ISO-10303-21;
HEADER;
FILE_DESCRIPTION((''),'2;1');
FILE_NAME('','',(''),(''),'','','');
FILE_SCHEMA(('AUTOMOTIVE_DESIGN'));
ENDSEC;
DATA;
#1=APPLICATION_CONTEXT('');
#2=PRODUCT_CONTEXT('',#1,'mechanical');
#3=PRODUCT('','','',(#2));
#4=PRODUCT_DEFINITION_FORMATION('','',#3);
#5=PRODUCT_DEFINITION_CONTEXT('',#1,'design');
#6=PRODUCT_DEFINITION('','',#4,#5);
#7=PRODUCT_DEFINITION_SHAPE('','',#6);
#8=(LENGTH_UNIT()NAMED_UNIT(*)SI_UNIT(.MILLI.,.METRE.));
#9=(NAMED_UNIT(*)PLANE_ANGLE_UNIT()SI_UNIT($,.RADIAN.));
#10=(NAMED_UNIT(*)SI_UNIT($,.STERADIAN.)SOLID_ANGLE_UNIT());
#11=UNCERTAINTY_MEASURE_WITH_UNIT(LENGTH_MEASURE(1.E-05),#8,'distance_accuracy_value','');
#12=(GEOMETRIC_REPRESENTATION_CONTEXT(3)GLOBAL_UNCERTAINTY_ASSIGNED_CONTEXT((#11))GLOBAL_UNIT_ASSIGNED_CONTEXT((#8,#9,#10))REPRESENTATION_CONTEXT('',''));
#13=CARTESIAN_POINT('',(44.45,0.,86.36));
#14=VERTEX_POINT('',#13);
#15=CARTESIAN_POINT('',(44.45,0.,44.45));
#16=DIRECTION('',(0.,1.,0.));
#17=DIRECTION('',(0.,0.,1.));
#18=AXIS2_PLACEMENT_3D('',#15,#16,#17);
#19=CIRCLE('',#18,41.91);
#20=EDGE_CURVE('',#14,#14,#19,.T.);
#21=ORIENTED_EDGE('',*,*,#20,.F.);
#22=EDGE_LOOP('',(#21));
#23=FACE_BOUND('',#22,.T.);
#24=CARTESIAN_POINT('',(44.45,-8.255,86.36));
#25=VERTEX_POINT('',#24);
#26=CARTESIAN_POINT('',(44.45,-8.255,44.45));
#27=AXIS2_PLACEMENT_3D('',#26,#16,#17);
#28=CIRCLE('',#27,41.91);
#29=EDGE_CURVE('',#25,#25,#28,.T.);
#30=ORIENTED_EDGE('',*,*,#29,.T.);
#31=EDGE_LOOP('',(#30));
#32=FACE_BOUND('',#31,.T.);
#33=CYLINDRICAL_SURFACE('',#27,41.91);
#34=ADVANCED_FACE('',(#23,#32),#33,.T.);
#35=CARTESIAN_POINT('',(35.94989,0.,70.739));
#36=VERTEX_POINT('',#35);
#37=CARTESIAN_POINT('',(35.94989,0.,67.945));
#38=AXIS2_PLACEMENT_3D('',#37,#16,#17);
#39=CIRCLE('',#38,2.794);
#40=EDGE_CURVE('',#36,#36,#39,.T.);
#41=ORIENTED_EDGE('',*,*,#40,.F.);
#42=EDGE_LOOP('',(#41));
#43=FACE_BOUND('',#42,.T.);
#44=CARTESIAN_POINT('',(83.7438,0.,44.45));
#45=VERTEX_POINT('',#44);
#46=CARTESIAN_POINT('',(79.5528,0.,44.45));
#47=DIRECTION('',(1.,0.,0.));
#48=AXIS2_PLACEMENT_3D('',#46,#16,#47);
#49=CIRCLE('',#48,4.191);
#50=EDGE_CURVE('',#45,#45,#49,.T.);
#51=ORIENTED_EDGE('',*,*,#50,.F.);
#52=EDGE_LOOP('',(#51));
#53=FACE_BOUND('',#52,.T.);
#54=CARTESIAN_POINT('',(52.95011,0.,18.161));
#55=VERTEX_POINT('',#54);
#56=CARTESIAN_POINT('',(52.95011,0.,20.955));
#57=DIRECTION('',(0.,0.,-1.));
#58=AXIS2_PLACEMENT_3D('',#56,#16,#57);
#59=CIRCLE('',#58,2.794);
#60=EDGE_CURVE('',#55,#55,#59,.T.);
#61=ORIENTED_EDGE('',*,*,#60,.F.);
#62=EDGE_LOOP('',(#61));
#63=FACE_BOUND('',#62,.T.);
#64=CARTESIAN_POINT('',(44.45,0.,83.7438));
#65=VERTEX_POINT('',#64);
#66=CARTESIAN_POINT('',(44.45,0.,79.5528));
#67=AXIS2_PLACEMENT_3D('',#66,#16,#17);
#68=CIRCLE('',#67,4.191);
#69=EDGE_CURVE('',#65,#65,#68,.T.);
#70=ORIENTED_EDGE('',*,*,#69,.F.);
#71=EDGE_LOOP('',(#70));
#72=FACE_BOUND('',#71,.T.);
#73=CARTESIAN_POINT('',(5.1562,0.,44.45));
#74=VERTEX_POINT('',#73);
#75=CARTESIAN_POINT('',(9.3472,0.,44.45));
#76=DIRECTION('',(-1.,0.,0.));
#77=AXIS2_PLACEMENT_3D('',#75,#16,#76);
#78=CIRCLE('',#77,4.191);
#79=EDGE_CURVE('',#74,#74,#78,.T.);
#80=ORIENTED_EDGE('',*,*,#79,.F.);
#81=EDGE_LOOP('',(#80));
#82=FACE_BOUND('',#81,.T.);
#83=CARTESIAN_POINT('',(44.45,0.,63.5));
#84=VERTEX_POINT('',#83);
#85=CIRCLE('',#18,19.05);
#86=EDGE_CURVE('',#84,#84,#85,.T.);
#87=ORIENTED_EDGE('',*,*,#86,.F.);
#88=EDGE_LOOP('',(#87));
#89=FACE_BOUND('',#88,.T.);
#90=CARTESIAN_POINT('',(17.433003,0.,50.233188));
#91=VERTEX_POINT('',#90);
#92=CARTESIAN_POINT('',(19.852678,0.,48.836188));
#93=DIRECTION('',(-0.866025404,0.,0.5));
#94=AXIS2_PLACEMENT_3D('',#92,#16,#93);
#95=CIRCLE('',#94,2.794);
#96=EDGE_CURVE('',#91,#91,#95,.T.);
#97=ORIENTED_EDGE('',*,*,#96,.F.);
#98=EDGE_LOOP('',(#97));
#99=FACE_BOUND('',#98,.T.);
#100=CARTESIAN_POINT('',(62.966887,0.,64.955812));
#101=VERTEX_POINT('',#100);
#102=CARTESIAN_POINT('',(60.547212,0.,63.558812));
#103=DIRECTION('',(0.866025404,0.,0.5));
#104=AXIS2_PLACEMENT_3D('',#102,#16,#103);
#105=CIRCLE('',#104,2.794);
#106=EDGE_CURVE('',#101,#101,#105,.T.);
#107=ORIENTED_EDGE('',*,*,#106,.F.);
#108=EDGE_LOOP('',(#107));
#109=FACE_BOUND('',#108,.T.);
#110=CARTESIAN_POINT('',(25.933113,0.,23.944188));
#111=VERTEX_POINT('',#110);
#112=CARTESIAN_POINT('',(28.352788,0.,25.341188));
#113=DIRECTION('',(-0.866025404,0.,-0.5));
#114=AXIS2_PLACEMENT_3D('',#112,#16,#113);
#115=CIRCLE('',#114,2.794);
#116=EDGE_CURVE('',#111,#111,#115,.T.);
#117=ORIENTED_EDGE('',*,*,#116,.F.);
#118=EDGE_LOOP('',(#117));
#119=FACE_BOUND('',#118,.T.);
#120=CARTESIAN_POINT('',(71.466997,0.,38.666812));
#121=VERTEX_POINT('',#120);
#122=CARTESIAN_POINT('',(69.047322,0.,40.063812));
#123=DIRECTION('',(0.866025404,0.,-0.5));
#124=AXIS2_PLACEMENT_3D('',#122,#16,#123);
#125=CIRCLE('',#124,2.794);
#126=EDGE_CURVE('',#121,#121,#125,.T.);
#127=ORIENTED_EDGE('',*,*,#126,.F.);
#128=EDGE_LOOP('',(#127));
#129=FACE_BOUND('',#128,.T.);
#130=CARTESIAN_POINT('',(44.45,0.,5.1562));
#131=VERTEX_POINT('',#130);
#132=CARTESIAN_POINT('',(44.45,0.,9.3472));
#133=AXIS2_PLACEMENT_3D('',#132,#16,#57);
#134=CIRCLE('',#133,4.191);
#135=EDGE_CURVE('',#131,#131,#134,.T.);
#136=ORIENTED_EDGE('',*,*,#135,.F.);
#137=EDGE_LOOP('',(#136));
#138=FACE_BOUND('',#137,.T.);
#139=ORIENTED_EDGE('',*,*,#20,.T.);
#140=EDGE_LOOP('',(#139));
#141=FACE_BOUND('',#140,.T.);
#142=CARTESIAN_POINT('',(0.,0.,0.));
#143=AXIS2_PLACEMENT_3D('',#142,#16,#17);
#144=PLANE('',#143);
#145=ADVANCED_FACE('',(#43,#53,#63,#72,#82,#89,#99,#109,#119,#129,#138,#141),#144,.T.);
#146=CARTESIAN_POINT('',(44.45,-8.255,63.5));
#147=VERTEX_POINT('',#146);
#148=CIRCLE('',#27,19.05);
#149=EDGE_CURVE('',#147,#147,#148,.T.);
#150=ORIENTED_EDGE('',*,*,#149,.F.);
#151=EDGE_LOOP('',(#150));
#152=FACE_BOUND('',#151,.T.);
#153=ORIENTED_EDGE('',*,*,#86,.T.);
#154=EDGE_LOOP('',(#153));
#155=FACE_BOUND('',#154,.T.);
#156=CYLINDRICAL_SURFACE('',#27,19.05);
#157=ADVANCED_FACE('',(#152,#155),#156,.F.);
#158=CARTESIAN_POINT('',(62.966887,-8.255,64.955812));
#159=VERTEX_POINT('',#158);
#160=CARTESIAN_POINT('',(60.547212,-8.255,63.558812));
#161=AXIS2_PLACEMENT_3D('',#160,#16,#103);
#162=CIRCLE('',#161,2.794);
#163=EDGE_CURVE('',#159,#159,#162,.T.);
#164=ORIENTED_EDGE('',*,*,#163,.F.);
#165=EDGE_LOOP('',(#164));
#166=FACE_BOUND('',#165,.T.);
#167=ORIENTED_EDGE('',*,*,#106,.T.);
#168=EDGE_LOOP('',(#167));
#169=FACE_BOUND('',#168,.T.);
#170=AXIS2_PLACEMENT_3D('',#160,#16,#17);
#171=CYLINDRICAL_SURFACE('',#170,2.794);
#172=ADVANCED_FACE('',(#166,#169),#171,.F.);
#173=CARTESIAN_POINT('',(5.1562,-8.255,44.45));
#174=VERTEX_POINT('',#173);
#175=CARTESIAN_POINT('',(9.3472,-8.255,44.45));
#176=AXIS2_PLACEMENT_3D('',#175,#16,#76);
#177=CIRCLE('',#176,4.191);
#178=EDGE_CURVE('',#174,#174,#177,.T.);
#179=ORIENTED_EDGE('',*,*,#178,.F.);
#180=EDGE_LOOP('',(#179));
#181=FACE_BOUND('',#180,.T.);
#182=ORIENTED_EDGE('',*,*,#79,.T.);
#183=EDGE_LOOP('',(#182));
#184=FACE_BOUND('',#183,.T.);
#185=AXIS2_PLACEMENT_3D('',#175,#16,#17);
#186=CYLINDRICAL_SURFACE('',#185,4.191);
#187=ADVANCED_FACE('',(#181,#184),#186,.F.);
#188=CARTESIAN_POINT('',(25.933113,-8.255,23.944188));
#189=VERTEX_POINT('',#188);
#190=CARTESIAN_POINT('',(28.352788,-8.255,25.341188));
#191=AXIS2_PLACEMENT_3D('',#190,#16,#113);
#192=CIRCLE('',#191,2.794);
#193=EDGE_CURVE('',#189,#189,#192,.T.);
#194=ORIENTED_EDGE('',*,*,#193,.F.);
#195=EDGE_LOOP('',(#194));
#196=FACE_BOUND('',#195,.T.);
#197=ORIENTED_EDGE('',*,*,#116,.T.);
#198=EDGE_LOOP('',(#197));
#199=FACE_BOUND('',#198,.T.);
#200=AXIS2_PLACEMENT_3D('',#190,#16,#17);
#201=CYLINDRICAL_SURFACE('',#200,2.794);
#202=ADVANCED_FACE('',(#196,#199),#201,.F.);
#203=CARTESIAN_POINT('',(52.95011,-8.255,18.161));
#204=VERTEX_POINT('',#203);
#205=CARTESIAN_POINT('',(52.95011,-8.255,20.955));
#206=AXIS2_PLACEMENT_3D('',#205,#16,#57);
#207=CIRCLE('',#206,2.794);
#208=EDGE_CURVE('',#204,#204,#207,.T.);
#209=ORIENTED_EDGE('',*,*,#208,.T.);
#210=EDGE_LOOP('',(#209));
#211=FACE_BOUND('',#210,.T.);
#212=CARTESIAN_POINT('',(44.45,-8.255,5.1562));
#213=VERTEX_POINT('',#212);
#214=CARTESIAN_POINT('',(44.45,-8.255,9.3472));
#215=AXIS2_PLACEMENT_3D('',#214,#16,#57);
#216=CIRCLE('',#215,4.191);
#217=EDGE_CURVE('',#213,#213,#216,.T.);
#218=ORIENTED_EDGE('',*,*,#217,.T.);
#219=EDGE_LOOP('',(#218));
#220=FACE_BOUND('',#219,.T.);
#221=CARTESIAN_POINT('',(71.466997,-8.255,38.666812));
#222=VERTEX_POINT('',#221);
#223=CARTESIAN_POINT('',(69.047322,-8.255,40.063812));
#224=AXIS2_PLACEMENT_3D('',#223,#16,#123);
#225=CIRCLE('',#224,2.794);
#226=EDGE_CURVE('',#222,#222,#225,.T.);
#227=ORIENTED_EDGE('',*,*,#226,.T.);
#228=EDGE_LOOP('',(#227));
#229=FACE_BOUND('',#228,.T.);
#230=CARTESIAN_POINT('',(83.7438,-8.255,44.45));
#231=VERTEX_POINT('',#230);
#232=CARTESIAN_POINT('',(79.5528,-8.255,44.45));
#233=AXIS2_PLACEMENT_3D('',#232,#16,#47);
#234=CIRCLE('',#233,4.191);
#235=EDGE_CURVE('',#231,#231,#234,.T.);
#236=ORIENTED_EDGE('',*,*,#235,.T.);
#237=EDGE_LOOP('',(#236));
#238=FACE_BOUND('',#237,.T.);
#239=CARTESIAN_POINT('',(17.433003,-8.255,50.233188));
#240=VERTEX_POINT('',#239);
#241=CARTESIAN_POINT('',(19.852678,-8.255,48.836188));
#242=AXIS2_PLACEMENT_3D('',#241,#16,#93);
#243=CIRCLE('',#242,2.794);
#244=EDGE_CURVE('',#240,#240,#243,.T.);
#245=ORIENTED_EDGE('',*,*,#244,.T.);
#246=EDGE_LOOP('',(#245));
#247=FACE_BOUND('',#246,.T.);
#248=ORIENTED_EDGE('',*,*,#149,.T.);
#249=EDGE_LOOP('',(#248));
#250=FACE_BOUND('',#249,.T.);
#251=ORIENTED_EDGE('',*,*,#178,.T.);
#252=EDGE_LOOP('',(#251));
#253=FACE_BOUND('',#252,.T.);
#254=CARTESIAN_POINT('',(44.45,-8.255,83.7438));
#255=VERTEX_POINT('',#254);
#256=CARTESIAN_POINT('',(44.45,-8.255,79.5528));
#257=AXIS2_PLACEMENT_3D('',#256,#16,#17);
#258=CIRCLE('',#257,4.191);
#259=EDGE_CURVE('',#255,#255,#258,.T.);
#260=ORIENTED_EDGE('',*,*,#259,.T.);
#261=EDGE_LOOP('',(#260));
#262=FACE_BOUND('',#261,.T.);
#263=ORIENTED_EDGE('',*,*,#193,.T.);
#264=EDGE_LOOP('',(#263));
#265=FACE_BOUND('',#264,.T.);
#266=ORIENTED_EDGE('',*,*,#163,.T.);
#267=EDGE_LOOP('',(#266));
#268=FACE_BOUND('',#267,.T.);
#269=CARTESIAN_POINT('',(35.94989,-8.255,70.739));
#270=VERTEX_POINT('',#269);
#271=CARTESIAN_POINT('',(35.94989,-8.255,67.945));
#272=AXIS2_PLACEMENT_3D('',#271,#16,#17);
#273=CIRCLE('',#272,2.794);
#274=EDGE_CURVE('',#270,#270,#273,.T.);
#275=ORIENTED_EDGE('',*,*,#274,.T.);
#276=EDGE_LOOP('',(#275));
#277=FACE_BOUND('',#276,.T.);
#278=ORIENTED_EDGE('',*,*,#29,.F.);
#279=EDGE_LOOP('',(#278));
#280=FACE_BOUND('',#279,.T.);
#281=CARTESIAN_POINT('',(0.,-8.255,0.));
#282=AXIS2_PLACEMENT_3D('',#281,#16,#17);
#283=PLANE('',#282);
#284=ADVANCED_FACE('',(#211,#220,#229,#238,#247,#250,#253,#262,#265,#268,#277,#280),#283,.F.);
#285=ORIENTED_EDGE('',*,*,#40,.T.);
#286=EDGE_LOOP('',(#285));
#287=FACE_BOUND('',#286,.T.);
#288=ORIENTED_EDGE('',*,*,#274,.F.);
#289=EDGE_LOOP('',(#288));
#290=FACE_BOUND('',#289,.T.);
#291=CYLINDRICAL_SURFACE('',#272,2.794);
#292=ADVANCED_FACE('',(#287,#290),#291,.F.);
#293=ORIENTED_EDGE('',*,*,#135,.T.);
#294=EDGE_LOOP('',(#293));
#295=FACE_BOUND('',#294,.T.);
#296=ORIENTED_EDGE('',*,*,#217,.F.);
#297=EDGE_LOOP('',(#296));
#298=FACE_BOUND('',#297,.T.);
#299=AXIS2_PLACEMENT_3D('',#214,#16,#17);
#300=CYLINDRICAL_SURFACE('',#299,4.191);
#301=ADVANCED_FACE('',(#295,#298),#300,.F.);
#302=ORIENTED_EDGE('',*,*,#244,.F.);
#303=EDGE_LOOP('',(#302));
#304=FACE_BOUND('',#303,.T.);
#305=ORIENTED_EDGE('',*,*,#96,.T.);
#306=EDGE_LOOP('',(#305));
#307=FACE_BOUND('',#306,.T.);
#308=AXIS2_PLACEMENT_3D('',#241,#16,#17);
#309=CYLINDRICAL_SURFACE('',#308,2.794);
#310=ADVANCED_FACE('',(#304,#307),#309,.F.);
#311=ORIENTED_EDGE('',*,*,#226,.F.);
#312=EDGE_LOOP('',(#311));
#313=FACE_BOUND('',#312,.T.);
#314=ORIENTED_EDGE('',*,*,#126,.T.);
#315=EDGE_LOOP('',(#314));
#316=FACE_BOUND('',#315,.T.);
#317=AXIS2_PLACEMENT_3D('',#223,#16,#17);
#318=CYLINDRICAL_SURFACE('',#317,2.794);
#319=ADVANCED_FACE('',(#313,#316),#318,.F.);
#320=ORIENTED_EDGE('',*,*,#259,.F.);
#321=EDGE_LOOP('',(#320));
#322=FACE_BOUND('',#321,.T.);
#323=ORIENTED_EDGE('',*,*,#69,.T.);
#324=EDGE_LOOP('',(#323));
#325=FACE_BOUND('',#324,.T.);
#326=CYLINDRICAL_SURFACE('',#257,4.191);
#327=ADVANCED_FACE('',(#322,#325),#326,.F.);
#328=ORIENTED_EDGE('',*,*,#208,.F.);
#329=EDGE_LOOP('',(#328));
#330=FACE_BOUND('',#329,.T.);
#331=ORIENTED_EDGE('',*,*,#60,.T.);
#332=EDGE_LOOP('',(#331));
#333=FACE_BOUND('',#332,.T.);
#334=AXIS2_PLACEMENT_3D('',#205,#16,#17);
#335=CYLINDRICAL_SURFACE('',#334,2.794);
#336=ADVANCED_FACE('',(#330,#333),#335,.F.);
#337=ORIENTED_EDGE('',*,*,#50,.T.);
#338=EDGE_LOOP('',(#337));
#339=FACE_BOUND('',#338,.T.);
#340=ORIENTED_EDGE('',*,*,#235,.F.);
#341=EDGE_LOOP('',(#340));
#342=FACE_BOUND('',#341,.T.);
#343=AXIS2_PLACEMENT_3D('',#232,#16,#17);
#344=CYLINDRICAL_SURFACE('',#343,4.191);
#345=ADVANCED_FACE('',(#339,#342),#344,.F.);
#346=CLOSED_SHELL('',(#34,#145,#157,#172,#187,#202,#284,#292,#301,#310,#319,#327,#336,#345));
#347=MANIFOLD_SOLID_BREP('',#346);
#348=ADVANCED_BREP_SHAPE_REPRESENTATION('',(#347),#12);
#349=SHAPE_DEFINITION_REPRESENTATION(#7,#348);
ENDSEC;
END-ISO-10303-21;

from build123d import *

# Parameters (mm, degrees)
SKETCH1_W           = 88.9
SKETCH1_H           = 88.9
BOSS_EXTRUDE1_DEPTH = 8.255
SKETCH5_W           = 88.9
SKETCH5_H           = 88.9
SKETCH5_R           = 41.91
CUT_EXTRUDE5_DEPTH  = 8.255
SKETCH9_R           = 4.191
CUT_EXTRUDE7_DEPTH  = 8.255
CIRPATTERN1_COUNT   = 4
CUT_EXTRUDE9_DEPTH  = 8.255
CIRPATTERN3_COUNT   = 6
SKETCH8_R           = 19.05
CUT_EXTRUDE10_DEPTH = 8.255


with BuildPart() as part:
    # Sketch1 → Boss-Extrude1 (new body)
    with BuildSketch(Plane(origin=(0, 0, 0), x_dir=(1, 0, 0), z_dir=(0, 1, 0))):
        with Locations((44.45, -44.45)):
            Rectangle(SKETCH1_W, SKETCH1_H)
    extrude(amount=-BOSS_EXTRUDE1_DEPTH)

    # Sketch5 → Cut-Extrude5 (cut)
    with BuildSketch(Plane(origin=(0, 0, 0), x_dir=(1, 0, 0), z_dir=(0, 1, 0))):
        with Locations((44.45, -44.45)):
            Rectangle(SKETCH5_W, SKETCH5_H)
        with Locations((44.45, -44.45)):
            Circle(SKETCH5_R, mode=Mode.SUBTRACT)
    extrude(amount=-CUT_EXTRUDE5_DEPTH, mode=Mode.SUBTRACT)

    # Sketch9 → Cut-Extrude7 (cut)
    with BuildSketch(Plane(origin=(0, 0, 0), x_dir=(1, 0, 0), z_dir=(0, 1, 0))):
        with Locations((44.45, -79.5528)):
            Circle(SKETCH9_R)
    cut_extrude7 = extrude(amount=-CUT_EXTRUDE7_DEPTH, mode=Mode.SUBTRACT)

    # CirPattern1: Cut-Extrude7 ×4 about axis
    cirpattern1_axis = Axis((44.45, 0, 44.45), (0, 1, 0))
    for i in range(1, CIRPATTERN1_COUNT):
        add(cut_extrude7.rotate(cirpattern1_axis, i * 360 / CIRPATTERN1_COUNT), mode=Mode.SUBTRACT)

    # Sketch11 → Cut-Extrude9 (cut)
    with BuildSketch(Plane(origin=(0, 0, 0), x_dir=(1, 0, 0), z_dir=(0, 1, 0))):
        with BuildLine():
            ThreePointArc((38.743889634, -67.945), (38.237051273, -66.340217261), (36.900419598, -65.317657467))
            Line((36.900419598, -65.317657467), (34.99935967, -70.572342533))
            ThreePointArc((34.99935967, -70.572342533), (37.554672374, -70.232161638), (38.743889634, -67.945))
        make_face()
        with BuildLine():
            Line((34.99935967, -70.572342533), (36.900419598, -65.317657467))
            ThreePointArc((36.900419598, -65.317657467), (33.322547101, -66.994470036), (34.99935967, -70.572342533))
        make_face()
    cut_extrude9 = extrude(amount=-CUT_EXTRUDE9_DEPTH, mode=Mode.SUBTRACT)

    # CirPattern3: Cut-Extrude9 ×6 about axis
    cirpattern3_axis = Axis((44.45, 0, 44.45), (0, 1, 0))
    for i in range(1, CIRPATTERN3_COUNT):
        add(cut_extrude9.rotate(cirpattern3_axis, i * 360 / CIRPATTERN3_COUNT), mode=Mode.SUBTRACT)

    # Sketch8 → Cut-Extrude10 (cut)
    with BuildSketch(Plane(origin=(0, 0, 0), x_dir=(1, 0, 0), z_dir=(0, 1, 0))):
        with Locations((44.45, -44.45)):
            Circle(SKETCH8_R)
    extrude(amount=-CUT_EXTRUDE10_DEPTH, mode=Mode.SUBTRACT)


solid = part.part
